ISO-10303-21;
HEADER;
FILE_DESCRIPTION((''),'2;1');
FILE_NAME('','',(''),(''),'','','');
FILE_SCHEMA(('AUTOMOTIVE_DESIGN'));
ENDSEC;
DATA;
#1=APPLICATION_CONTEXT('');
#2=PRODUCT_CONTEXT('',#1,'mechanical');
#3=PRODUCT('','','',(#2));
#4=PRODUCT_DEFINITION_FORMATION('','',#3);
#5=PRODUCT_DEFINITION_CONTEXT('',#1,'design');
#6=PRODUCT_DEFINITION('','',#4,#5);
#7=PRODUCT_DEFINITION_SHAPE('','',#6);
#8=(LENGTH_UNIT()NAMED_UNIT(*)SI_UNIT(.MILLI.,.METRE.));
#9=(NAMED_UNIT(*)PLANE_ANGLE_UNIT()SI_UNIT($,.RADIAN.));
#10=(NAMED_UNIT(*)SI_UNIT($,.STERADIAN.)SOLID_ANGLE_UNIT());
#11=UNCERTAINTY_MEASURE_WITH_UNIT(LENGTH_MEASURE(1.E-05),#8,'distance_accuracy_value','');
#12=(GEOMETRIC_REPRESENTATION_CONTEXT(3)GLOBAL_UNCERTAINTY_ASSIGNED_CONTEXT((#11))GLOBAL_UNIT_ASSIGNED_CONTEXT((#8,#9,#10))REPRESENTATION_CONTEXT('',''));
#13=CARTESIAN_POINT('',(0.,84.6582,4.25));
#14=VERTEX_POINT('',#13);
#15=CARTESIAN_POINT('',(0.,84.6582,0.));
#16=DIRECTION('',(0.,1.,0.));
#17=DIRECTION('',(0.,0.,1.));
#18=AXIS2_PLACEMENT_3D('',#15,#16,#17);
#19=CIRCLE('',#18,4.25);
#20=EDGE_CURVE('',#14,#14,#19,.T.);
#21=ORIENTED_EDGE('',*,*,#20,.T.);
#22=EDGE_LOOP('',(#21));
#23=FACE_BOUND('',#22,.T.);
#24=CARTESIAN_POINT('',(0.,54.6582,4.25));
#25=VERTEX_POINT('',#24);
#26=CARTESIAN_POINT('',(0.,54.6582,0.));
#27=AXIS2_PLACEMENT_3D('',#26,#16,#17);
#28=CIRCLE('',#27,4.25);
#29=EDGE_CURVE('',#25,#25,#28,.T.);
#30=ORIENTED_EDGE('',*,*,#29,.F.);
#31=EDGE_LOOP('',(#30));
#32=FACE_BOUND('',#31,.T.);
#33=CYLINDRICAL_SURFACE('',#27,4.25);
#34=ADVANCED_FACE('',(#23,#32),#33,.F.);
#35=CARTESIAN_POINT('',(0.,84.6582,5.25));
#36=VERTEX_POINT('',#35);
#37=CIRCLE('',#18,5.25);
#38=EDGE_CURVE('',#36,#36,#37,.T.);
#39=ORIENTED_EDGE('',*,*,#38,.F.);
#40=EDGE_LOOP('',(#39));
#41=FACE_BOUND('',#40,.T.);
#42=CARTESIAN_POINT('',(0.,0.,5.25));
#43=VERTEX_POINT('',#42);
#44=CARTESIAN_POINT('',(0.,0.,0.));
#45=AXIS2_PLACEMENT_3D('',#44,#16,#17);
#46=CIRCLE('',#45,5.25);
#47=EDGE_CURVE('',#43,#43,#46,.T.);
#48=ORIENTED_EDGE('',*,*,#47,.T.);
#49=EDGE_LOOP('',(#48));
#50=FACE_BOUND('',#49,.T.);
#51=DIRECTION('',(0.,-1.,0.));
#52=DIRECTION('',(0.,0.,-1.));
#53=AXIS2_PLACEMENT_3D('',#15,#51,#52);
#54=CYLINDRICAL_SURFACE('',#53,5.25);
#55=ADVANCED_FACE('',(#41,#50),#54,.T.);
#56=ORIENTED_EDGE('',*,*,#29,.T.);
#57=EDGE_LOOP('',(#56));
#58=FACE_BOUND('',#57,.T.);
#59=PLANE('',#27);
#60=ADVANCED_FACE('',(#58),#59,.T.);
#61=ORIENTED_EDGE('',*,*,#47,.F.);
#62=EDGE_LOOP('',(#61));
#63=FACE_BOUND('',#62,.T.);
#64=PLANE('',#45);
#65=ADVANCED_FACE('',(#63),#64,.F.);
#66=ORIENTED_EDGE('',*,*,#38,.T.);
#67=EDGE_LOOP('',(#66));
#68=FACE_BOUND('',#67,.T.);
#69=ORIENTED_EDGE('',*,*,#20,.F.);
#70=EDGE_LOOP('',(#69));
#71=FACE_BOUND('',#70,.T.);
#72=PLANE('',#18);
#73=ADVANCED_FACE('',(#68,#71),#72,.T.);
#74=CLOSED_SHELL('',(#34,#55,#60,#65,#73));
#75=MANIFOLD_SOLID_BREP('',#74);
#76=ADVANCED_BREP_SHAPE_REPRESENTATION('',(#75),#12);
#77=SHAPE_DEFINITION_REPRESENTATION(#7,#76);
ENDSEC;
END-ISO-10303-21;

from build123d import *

# Parameters (mm, degrees)
SKETCH1_R           = 5.25
BOSS_EXTRUDE1_DEPTH = 84.6582
SKETCH3_R           = 4.25
CUT_EXTRUDE1_DEPTH  = 30


with BuildPart() as part:
    # Sketch1 → Boss-Extrude1 (new body)
    with BuildSketch(Plane(origin=(0, 0, 0), x_dir=(1, 0, 0), z_dir=(0, 1, 0))):
        with Locations(Location((0, 0, 0), (0, 0, 270))):
            Circle(SKETCH1_R)
    extrude(amount=BOSS_EXTRUDE1_DEPTH)

    # Sketch3 → Cut-Extrude1 (cut)
    with BuildSketch(Plane(origin=(0, 84.6582, 0), x_dir=(1, 0, 0), z_dir=(0, 1, 0))):
        with Locations(Location((0, 0, 0), (0, 0, 270))):
            Circle(SKETCH3_R)
    extrude(amount=-CUT_EXTRUDE1_DEPTH, mode=Mode.SUBTRACT)


solid = part.part
